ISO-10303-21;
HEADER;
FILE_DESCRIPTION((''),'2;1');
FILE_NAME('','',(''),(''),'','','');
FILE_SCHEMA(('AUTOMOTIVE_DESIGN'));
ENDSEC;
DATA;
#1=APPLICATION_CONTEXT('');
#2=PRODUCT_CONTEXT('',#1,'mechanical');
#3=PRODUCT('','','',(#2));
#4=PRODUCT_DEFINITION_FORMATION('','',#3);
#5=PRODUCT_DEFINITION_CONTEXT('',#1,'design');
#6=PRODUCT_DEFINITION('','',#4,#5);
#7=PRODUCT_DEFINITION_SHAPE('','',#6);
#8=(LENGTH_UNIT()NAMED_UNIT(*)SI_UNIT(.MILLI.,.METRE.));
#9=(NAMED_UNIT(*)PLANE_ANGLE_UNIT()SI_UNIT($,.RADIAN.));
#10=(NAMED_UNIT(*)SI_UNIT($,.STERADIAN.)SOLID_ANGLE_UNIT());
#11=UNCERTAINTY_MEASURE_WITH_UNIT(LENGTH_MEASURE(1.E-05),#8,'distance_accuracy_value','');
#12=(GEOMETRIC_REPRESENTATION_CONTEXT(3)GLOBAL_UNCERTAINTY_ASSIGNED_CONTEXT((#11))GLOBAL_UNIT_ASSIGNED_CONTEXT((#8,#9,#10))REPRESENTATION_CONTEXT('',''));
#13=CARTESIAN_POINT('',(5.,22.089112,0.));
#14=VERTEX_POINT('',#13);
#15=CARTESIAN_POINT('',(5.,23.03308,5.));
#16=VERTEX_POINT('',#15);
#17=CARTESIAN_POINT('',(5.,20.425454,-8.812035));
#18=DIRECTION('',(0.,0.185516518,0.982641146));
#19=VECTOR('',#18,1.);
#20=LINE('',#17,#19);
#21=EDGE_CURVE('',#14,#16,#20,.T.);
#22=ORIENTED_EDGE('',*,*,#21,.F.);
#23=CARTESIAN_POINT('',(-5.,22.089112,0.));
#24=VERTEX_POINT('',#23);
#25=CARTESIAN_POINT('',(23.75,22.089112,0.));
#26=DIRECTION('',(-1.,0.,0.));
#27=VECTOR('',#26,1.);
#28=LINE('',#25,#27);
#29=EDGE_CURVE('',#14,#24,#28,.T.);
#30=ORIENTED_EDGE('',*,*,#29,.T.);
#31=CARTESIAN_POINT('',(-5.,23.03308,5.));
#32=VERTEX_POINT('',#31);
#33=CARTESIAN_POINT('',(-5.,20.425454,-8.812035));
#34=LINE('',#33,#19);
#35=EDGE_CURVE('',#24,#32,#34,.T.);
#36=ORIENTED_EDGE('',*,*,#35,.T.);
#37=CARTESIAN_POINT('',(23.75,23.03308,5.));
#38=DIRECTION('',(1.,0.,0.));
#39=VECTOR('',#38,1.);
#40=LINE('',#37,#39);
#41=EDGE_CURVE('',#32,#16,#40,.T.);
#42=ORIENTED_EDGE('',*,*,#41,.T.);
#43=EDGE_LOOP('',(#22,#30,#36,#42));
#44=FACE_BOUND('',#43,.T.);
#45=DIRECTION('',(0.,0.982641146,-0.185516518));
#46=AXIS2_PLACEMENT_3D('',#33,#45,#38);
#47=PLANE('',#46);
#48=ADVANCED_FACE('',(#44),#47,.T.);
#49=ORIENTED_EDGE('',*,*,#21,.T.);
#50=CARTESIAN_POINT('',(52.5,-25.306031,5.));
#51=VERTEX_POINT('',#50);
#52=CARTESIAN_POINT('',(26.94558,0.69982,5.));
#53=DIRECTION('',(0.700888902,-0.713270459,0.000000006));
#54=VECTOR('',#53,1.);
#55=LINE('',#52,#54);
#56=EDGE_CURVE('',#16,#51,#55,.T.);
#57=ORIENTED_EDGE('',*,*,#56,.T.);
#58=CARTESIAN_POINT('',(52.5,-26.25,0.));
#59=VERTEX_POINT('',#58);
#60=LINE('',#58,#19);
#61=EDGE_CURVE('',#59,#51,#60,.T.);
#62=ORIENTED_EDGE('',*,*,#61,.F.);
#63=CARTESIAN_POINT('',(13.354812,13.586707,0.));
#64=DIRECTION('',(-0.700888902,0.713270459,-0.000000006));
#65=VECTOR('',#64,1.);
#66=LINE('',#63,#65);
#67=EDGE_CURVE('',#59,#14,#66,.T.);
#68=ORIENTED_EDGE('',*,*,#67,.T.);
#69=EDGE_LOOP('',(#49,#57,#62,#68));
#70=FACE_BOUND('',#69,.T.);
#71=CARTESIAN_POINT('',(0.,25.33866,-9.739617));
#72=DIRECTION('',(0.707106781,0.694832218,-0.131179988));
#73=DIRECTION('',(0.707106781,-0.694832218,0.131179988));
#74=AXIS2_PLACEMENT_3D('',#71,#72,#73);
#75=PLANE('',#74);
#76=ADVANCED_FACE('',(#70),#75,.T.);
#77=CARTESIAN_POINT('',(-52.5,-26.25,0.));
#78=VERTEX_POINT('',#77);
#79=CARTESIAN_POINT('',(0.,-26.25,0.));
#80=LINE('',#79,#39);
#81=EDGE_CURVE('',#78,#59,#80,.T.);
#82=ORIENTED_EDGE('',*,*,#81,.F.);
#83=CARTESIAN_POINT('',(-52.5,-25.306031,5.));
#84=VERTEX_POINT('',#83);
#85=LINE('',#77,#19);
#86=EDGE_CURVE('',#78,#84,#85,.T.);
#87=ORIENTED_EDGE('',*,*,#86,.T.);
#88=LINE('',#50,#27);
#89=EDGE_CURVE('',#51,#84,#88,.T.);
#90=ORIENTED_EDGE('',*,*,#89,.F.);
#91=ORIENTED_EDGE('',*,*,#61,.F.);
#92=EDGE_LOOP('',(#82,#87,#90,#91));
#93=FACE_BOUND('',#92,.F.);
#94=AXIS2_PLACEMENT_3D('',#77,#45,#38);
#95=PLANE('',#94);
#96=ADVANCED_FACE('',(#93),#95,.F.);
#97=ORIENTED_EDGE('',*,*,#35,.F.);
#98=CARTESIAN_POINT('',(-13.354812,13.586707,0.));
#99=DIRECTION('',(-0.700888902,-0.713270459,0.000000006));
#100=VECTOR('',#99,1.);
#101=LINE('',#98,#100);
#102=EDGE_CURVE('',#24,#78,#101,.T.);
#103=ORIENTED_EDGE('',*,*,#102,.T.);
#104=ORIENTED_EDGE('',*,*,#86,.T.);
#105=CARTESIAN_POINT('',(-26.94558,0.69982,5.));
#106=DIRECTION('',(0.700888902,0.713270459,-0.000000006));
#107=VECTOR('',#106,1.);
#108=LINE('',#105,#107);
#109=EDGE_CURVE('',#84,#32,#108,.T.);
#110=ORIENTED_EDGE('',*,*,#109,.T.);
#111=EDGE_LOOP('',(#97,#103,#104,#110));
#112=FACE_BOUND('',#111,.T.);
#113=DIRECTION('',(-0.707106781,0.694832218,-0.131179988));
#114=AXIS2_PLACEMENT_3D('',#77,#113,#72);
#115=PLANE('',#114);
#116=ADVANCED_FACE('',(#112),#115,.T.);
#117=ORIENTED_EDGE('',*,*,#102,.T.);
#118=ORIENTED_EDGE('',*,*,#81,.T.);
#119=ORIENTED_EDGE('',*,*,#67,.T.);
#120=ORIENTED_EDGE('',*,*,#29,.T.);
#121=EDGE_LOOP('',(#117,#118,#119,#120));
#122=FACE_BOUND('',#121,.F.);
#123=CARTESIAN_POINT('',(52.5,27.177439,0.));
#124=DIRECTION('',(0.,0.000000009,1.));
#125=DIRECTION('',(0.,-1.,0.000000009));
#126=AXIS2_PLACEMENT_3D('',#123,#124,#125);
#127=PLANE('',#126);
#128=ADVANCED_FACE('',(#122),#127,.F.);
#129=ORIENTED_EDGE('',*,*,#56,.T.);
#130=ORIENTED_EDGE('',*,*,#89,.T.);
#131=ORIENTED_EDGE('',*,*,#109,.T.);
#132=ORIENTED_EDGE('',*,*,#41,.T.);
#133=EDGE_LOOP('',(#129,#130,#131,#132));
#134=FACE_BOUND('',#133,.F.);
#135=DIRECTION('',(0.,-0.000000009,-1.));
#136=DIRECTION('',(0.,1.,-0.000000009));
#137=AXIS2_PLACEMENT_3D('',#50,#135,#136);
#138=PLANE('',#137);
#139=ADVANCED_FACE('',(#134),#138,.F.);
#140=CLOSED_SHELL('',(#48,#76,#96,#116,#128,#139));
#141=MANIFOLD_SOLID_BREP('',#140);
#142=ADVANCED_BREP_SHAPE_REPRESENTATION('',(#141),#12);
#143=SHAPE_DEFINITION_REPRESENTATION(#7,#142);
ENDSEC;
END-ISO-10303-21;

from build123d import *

# Parameters (mm, degrees)
F0_W     = 105
F0_H     = 52.5
F1_DEPTH = 15
F3_DEPTH = 105.001
F6_DEPTH = 15.001
F8_DEPTH = 15.001
F9_ANGLE = 10.691248


with BuildPart() as f1:
    # F0 (on Top) → F1 (new body)
    with BuildSketch(Plane.XY):
        Rectangle(F0_W, F0_H)
    extrude(amount=F1_DEPTH)

    # F2 (on face) → F3 (cut, through all)
    with BuildSketch(Plane.YZ.offset(52.5)):
        Polygon((-26.25, 15), (-26.25, 5.088328), (26.25, 15), align=None)
        Polygon((26.25, 9.911672), (-26.25, 0), (26.25, 0), align=None)
    extrude(amount=-F3_DEPTH, mode=Mode.SUBTRACT)

    # F5 (on Top) → F6 (cut, through all)
    with BuildSketch(Plane.XY):
        Polygon((-52.5, 26.25), (-52.5, -26.25), (0, 26.25), align=None)
        Polygon((0, 26.25), (52.5, -26.25), (52.5, 26.25), align=None)
    extrude(amount=F6_DEPTH, mode=Mode.SUBTRACT)

    # F7 (on Top) → F8 (cut, through all)
    with BuildSketch(Plane.XY):
        Polygon((5, 21.25), (0, 26.25), (-5, 21.25), align=None)
    extrude(amount=F8_DEPTH, mode=Mode.SUBTRACT)


with BuildPart() as f1_1:
    # F9: moved
    add(f1.part.rotate(Axis((0, -26.25, 0), (-1, 0, 0)), F9_ANGLE))


solid = f1_1.part
